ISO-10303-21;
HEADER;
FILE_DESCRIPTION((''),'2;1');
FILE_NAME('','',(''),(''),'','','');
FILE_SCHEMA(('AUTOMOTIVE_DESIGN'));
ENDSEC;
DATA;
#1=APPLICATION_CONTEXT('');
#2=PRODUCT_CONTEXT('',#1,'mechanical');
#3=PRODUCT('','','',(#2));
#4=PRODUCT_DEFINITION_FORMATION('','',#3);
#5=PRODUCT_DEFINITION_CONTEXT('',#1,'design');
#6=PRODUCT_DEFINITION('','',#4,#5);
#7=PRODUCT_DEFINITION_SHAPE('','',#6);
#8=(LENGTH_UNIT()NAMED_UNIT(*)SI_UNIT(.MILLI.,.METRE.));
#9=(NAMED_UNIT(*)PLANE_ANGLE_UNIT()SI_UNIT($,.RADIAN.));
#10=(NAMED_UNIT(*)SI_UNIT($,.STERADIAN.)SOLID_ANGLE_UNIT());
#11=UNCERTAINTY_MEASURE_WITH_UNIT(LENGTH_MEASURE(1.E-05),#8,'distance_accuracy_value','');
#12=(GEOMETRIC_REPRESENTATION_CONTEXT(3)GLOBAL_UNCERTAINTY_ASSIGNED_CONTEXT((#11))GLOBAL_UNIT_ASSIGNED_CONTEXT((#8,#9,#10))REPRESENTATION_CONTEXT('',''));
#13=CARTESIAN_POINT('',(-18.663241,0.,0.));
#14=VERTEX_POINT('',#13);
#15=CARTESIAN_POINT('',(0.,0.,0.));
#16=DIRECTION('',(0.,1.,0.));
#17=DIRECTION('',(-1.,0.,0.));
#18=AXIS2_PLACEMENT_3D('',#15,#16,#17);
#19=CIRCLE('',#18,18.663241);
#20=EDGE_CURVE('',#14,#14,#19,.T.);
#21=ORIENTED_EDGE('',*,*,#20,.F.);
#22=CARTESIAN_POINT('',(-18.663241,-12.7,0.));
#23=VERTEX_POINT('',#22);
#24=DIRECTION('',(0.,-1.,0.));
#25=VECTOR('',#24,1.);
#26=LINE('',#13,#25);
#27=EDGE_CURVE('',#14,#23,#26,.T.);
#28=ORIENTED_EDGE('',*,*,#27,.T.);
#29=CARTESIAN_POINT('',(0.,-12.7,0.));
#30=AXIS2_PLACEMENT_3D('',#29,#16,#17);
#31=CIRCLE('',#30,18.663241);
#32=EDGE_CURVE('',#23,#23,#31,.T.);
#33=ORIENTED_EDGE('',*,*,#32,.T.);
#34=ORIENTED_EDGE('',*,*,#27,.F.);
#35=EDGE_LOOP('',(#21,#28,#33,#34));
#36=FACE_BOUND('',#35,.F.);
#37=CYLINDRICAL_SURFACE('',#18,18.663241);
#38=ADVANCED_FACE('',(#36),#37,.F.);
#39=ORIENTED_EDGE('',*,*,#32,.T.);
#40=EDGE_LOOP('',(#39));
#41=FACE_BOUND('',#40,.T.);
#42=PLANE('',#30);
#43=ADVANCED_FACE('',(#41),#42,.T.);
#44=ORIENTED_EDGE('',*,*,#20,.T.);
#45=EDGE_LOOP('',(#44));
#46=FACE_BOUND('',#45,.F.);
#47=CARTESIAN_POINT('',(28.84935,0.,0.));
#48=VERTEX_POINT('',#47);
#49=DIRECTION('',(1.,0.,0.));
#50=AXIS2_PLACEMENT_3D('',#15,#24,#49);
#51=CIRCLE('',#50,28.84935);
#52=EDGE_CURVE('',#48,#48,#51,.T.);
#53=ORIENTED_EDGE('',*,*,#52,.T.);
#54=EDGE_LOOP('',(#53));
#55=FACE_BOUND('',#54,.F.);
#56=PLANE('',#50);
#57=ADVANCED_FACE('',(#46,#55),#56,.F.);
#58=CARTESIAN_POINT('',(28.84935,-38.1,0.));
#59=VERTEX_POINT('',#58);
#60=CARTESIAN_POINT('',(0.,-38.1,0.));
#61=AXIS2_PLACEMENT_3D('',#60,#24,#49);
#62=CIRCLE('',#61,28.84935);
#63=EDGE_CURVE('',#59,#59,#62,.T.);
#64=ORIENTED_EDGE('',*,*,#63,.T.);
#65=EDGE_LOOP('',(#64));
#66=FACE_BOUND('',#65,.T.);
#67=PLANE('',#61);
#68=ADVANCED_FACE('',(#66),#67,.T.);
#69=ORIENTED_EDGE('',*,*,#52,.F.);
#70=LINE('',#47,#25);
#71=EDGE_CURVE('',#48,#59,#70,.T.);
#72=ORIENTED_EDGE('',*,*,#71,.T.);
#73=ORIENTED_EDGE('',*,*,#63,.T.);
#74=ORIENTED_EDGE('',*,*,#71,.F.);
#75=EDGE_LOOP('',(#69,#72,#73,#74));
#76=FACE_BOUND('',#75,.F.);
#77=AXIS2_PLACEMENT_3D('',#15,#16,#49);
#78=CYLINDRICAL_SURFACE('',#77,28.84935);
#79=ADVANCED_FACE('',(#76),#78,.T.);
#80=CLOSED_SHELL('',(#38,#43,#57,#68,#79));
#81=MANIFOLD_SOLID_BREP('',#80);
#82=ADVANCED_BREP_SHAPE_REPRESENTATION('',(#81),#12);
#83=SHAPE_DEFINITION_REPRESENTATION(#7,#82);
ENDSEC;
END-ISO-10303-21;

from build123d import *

# Parameters (mm, degrees)
F0_R       = 18.6431523729
F1_DEPTH   = 11.43
F2_R       = 28.8493495365
F3_DEPTH   = 38.1
F4_R       = 18.663241222
F3_FACE1_R = 28.8493495365
F5_DEPTH   = 12.7


with BuildPart() as f1:
    # F0 (on Front) → F1 (new body)
    with BuildSketch(Plane.XZ):
        Circle(F0_R)
    extrude(amount=F1_DEPTH)

    # F2 (on Front) → F3 (join)
    with BuildSketch(Plane.XZ):
        Circle(F2_R)
    extrude(amount=F3_DEPTH)

    # F4 (on face) + F3_face1 (on face) → F5 (cut)
    with BuildSketch(Plane(origin=(0, 0, 0), x_dir=(-1, 0, 0), z_dir=(0, 1, 0))):
        Circle(F4_R)
    with BuildSketch(Plane.XZ.offset(38.1)):
        Circle(F3_FACE1_R)
    extrude(amount=-F5_DEPTH, dir=(0, 1, 0), mode=Mode.SUBTRACT)


solid = f1.part
